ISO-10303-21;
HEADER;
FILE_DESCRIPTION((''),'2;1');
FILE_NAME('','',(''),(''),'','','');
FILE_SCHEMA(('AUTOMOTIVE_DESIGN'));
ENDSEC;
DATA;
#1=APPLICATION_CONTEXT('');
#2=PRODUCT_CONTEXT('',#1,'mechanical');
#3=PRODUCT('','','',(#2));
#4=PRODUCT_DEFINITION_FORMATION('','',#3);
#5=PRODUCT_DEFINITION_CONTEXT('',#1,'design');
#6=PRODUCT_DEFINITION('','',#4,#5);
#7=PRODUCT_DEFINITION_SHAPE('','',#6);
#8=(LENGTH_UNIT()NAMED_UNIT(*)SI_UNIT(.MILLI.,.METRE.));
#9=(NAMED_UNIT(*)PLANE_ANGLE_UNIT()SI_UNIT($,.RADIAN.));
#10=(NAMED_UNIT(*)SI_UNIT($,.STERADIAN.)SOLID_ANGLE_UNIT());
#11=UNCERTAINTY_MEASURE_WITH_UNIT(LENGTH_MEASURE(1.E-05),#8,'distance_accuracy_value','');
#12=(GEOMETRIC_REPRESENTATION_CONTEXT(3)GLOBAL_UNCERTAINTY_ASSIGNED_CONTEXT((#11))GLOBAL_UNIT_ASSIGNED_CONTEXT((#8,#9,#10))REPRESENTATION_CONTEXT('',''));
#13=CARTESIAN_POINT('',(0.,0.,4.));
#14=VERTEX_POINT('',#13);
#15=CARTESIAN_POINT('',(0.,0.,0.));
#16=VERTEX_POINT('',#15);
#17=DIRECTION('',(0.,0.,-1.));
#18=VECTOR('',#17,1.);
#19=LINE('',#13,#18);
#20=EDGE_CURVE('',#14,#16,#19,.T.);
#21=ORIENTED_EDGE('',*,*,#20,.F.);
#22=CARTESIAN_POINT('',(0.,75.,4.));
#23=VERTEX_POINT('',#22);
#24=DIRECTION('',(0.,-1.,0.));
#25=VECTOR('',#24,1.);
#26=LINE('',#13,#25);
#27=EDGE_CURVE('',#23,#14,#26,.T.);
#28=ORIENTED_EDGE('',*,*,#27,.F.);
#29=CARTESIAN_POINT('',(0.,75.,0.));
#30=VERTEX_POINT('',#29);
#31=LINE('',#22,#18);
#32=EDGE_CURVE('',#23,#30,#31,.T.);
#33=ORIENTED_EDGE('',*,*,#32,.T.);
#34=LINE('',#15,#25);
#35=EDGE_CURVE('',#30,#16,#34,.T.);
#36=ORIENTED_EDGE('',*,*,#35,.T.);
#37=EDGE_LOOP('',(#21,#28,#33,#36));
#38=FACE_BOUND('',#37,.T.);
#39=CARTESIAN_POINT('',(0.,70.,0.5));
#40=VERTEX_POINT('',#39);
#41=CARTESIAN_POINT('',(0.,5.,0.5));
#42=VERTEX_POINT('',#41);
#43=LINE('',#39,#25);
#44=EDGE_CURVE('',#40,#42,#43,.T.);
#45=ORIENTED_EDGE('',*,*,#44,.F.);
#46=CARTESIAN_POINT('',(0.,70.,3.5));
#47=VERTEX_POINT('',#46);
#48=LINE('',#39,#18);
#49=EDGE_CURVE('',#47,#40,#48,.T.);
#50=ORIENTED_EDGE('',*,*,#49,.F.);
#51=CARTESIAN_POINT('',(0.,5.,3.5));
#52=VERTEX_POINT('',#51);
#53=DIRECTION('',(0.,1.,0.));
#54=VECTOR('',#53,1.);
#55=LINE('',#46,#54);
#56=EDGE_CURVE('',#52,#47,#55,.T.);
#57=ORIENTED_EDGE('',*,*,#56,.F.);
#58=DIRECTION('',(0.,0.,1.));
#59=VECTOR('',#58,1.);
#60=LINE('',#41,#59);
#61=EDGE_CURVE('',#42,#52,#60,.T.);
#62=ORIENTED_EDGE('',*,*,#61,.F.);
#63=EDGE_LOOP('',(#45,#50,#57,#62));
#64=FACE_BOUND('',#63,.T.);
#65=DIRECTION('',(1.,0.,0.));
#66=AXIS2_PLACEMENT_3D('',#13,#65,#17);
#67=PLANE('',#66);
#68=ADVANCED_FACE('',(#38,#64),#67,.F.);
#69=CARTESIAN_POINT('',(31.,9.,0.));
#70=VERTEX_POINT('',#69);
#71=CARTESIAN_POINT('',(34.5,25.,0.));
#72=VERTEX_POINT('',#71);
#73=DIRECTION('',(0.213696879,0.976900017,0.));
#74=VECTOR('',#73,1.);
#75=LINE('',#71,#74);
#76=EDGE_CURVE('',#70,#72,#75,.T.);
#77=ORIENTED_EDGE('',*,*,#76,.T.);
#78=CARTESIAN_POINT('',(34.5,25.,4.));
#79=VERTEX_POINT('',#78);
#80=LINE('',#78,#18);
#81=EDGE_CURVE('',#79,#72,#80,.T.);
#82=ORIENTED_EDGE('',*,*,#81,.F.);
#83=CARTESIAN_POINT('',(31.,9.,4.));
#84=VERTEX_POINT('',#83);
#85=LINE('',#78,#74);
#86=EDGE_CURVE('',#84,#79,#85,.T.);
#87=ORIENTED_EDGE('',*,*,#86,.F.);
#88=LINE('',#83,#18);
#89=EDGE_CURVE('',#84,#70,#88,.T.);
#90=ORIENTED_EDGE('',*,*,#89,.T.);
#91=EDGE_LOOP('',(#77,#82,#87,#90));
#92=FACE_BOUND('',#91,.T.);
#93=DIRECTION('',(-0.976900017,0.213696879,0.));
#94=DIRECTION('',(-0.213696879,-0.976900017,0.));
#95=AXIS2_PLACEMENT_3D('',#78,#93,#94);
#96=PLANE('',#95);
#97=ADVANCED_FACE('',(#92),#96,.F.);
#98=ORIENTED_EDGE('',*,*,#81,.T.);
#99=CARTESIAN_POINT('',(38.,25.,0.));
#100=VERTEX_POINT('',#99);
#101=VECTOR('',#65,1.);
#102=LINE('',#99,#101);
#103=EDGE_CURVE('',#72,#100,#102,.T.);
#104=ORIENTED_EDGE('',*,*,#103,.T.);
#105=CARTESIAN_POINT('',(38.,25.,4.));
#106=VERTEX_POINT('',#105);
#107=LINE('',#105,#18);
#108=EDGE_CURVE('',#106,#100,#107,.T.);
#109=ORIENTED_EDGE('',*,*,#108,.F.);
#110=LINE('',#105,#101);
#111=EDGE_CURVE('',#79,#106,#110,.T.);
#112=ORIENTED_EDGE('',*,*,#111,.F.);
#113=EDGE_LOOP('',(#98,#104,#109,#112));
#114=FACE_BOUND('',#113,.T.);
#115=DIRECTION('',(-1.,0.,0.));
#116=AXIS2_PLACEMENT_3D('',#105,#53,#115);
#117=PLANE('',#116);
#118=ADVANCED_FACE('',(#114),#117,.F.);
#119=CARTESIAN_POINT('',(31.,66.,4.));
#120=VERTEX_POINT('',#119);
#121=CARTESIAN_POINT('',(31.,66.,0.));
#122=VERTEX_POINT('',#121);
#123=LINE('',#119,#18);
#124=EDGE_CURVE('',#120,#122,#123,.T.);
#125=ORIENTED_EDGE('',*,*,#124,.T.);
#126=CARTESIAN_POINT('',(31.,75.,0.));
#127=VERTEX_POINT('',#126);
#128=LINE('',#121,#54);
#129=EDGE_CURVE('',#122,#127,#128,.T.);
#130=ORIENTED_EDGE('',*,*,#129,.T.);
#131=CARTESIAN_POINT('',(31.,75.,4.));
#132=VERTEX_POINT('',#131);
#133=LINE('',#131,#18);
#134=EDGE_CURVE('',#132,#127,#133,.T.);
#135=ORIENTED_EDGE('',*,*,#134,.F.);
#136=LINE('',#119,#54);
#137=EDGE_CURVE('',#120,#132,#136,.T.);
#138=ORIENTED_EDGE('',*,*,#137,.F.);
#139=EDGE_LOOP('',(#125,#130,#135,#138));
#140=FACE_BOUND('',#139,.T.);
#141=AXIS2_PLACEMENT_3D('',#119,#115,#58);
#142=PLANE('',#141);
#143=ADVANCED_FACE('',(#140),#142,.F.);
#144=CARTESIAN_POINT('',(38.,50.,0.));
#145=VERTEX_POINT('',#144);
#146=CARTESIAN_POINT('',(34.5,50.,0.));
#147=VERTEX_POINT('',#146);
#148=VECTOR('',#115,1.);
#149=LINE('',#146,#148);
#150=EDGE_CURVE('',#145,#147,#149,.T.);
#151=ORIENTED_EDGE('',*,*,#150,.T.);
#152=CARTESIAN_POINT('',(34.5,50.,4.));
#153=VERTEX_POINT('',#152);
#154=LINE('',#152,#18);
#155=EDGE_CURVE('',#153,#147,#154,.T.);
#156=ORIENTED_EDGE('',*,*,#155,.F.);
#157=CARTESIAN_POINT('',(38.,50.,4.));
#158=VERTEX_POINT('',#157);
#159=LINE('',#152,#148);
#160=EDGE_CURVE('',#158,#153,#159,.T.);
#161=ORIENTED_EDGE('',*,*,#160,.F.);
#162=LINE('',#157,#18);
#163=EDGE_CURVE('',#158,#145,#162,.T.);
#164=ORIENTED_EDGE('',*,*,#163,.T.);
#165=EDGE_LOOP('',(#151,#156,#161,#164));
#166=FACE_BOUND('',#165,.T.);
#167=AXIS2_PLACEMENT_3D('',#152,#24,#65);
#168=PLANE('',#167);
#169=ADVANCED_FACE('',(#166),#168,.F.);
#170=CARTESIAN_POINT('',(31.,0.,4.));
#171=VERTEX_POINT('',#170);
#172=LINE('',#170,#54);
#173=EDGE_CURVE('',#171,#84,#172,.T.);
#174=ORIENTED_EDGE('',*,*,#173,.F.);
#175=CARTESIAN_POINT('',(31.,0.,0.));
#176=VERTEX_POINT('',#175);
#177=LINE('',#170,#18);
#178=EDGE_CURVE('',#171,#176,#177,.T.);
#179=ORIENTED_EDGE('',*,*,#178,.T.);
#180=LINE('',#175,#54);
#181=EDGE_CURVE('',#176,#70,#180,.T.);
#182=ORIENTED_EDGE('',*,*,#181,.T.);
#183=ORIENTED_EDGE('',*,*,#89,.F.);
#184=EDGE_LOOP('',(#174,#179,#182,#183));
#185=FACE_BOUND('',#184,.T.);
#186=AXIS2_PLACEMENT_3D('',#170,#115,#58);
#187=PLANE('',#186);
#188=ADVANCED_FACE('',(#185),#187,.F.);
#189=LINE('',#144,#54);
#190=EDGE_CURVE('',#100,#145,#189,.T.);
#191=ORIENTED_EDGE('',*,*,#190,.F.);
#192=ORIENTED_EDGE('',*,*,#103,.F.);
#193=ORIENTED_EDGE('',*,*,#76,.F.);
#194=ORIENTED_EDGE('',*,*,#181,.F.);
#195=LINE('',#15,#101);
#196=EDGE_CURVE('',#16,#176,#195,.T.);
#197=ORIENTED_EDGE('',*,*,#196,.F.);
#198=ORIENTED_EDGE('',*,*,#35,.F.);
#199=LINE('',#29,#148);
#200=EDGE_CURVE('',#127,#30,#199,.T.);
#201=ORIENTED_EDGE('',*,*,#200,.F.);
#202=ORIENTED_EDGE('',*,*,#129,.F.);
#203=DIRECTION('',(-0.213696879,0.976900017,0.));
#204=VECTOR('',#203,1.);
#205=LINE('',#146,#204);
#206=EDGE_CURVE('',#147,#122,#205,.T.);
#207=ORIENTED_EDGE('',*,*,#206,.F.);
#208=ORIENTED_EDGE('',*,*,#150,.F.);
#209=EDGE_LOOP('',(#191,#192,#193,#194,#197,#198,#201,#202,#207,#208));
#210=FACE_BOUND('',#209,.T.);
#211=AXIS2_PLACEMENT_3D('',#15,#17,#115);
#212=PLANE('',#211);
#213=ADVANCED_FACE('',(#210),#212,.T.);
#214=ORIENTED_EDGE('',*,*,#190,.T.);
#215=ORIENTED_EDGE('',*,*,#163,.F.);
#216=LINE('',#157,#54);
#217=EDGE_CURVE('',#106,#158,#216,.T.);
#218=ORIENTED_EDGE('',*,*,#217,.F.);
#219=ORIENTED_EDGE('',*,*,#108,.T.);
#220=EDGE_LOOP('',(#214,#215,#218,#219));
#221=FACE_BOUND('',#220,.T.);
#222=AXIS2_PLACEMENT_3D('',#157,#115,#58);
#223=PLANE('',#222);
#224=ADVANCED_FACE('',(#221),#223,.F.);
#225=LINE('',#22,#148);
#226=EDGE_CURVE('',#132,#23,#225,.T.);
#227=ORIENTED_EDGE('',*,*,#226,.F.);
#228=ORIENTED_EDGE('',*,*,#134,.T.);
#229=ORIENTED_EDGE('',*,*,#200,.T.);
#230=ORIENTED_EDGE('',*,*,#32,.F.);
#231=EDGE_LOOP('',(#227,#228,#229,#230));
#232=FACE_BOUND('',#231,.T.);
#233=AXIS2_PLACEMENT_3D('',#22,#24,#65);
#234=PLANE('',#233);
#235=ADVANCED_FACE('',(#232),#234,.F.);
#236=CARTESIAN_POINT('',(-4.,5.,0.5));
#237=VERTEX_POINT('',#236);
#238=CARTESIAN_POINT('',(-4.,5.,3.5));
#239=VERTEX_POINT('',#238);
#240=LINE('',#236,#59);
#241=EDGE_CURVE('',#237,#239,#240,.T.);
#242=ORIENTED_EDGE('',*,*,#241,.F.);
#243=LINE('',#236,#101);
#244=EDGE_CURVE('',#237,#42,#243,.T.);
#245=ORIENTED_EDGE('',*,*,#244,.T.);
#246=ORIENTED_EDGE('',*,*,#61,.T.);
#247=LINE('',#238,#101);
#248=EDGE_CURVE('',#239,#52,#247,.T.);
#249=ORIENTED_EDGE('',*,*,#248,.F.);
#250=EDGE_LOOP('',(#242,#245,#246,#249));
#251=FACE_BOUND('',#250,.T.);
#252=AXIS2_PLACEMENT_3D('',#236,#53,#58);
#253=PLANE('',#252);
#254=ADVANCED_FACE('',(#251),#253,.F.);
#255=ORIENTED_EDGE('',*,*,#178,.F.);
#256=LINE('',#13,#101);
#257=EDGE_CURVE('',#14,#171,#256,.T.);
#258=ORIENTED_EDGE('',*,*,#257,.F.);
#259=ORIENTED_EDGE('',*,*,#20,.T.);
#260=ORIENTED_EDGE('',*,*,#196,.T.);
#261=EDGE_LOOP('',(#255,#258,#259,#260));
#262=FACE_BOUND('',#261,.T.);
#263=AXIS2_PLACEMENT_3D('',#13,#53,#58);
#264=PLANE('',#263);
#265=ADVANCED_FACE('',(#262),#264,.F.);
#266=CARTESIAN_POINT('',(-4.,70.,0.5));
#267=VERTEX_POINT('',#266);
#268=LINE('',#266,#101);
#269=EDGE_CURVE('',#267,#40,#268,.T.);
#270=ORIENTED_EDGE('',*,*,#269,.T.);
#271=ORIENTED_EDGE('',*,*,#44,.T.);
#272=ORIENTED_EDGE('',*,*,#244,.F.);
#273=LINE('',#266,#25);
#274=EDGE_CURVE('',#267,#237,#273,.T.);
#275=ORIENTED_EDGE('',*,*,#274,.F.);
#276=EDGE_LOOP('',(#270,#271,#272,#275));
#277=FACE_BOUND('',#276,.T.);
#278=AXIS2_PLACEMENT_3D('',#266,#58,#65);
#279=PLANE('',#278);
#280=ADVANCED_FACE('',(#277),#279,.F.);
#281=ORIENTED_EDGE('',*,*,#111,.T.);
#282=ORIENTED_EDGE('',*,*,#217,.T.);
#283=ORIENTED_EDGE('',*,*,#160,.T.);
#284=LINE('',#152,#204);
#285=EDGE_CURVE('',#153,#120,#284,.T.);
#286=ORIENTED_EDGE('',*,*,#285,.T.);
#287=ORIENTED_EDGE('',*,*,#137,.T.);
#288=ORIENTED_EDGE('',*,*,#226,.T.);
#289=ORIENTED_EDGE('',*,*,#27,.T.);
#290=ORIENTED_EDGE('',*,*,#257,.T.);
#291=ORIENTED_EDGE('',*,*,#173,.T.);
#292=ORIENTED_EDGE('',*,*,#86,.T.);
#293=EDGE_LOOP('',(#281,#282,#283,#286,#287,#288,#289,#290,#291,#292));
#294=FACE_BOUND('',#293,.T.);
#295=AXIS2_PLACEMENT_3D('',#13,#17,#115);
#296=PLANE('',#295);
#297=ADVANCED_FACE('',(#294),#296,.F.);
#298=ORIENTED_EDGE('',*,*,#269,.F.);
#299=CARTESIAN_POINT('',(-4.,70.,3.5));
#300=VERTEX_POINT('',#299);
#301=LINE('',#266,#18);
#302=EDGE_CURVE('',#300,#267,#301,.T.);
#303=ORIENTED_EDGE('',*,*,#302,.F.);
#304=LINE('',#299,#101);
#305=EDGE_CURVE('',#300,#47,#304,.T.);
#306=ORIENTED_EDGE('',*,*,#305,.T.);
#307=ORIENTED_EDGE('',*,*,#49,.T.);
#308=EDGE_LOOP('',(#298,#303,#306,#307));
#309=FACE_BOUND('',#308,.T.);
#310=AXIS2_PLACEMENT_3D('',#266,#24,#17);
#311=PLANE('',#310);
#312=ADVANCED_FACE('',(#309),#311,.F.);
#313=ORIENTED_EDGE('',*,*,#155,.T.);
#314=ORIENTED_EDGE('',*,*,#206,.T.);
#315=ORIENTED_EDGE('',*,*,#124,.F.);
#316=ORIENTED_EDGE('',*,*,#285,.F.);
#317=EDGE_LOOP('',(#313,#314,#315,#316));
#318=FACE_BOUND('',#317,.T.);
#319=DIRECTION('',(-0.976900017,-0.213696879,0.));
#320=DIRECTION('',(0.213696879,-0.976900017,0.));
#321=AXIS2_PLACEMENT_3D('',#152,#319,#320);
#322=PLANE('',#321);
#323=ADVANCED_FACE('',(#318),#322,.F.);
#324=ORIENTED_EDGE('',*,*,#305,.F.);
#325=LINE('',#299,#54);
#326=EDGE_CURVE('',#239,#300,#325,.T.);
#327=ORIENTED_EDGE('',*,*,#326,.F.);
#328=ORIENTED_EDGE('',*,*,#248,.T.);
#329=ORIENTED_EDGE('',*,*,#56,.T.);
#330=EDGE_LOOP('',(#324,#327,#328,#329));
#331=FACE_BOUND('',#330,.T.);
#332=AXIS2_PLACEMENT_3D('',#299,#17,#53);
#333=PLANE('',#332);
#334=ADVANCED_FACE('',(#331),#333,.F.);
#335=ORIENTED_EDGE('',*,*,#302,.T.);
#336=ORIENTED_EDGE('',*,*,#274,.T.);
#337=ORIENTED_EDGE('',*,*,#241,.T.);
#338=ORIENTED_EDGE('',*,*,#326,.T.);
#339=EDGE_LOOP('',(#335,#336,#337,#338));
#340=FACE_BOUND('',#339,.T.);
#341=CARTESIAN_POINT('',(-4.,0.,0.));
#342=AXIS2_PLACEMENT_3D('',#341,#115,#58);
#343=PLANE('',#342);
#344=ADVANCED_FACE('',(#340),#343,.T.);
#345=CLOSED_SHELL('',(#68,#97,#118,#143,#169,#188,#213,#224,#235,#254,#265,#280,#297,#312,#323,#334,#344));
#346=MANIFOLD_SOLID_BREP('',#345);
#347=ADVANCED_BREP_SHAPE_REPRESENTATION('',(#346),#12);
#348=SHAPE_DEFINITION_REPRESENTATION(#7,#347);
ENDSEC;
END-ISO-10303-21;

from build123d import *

# Parameters (mm, degrees)
BOSS_EXTRUDE1_DEPTH = 4
SKETCH3_W           = 3
SKETCH3_H           = 65
BOSS_EXTRUDE2_DEPTH = 4


with BuildPart() as part:
    # Sketch1 → Boss-Extrude1 (new body)
    with BuildSketch(Plane.XY):
        Polygon((0, 0), (31, 0), (31, 9), (34.5, 25), (38, 25), (38, 50), (34.5, 50), (31, 66), (31, 75), (0, 75), align=None)
    extrude(amount=BOSS_EXTRUDE1_DEPTH)

    # Sketch3 → Boss-Extrude2 (add)
    with BuildSketch(Plane.ZY):
        with Locations((2, 37.5)):
            Rectangle(SKETCH3_W, SKETCH3_H)
    extrude(amount=BOSS_EXTRUDE2_DEPTH)


solid = part.part
